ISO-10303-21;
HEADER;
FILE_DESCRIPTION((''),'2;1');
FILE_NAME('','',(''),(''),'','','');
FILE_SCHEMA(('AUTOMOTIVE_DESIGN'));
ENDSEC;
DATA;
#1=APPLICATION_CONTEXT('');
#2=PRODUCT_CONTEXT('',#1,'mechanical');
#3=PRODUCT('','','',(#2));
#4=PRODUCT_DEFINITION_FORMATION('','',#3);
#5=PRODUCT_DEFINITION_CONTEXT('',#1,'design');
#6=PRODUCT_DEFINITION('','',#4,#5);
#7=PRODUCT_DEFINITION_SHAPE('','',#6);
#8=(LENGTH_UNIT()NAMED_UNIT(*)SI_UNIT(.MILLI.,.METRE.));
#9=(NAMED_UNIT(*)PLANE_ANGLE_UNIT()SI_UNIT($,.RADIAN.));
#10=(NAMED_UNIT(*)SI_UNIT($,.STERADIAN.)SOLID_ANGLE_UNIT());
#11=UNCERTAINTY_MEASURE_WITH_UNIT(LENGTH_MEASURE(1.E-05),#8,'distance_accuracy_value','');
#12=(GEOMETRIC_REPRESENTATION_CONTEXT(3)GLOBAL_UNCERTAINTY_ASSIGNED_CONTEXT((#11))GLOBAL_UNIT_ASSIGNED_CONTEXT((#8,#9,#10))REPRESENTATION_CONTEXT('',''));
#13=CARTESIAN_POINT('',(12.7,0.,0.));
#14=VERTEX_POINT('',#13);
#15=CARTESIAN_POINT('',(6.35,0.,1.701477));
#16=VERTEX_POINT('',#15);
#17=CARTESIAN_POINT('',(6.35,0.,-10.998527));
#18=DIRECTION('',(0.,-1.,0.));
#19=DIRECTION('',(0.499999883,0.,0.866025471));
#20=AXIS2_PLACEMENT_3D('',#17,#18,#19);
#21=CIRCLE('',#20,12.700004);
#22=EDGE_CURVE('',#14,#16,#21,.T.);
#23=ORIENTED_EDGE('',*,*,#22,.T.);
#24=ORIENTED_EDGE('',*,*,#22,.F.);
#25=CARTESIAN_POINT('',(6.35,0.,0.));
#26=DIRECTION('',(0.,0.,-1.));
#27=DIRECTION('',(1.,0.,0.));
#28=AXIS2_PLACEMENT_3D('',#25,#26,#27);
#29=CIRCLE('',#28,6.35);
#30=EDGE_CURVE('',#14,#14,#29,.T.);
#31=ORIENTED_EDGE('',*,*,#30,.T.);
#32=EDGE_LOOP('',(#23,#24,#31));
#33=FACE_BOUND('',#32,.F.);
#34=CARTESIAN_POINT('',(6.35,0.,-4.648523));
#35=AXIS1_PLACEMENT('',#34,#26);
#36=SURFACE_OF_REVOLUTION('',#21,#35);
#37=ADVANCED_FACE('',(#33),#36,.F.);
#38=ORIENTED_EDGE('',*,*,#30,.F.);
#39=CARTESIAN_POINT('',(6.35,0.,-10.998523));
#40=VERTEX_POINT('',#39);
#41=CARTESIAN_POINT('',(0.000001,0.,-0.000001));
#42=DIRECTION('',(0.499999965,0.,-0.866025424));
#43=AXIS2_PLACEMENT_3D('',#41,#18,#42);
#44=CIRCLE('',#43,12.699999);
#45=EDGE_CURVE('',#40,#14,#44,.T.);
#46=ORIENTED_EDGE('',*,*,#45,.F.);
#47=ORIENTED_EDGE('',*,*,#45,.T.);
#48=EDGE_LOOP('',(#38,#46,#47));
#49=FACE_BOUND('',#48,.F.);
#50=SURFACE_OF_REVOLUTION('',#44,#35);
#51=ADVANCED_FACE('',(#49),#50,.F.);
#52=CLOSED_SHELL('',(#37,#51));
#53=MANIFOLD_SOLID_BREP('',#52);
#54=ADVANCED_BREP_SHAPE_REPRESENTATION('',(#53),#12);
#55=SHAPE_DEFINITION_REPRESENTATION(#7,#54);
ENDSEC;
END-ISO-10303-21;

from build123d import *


with BuildPart() as f1:
    # F0 (on Front) → F1 (revolve)
    with BuildSketch(Plane.XZ):
        with BuildLine():
            Line((6.35, 1.701477), (6.35, -10.998523))
            ThreePointArc((6.35, -10.998523), (10.998523, -6.35), (12.7, 0))
            ThreePointArc((12.7, 0), (9.637002, 1.268735), (6.35, 1.701477))
        make_face()
    revolve(axis=Axis((6.35, 0, -4.648523), (0, 0, -1)))


solid = f1.part
